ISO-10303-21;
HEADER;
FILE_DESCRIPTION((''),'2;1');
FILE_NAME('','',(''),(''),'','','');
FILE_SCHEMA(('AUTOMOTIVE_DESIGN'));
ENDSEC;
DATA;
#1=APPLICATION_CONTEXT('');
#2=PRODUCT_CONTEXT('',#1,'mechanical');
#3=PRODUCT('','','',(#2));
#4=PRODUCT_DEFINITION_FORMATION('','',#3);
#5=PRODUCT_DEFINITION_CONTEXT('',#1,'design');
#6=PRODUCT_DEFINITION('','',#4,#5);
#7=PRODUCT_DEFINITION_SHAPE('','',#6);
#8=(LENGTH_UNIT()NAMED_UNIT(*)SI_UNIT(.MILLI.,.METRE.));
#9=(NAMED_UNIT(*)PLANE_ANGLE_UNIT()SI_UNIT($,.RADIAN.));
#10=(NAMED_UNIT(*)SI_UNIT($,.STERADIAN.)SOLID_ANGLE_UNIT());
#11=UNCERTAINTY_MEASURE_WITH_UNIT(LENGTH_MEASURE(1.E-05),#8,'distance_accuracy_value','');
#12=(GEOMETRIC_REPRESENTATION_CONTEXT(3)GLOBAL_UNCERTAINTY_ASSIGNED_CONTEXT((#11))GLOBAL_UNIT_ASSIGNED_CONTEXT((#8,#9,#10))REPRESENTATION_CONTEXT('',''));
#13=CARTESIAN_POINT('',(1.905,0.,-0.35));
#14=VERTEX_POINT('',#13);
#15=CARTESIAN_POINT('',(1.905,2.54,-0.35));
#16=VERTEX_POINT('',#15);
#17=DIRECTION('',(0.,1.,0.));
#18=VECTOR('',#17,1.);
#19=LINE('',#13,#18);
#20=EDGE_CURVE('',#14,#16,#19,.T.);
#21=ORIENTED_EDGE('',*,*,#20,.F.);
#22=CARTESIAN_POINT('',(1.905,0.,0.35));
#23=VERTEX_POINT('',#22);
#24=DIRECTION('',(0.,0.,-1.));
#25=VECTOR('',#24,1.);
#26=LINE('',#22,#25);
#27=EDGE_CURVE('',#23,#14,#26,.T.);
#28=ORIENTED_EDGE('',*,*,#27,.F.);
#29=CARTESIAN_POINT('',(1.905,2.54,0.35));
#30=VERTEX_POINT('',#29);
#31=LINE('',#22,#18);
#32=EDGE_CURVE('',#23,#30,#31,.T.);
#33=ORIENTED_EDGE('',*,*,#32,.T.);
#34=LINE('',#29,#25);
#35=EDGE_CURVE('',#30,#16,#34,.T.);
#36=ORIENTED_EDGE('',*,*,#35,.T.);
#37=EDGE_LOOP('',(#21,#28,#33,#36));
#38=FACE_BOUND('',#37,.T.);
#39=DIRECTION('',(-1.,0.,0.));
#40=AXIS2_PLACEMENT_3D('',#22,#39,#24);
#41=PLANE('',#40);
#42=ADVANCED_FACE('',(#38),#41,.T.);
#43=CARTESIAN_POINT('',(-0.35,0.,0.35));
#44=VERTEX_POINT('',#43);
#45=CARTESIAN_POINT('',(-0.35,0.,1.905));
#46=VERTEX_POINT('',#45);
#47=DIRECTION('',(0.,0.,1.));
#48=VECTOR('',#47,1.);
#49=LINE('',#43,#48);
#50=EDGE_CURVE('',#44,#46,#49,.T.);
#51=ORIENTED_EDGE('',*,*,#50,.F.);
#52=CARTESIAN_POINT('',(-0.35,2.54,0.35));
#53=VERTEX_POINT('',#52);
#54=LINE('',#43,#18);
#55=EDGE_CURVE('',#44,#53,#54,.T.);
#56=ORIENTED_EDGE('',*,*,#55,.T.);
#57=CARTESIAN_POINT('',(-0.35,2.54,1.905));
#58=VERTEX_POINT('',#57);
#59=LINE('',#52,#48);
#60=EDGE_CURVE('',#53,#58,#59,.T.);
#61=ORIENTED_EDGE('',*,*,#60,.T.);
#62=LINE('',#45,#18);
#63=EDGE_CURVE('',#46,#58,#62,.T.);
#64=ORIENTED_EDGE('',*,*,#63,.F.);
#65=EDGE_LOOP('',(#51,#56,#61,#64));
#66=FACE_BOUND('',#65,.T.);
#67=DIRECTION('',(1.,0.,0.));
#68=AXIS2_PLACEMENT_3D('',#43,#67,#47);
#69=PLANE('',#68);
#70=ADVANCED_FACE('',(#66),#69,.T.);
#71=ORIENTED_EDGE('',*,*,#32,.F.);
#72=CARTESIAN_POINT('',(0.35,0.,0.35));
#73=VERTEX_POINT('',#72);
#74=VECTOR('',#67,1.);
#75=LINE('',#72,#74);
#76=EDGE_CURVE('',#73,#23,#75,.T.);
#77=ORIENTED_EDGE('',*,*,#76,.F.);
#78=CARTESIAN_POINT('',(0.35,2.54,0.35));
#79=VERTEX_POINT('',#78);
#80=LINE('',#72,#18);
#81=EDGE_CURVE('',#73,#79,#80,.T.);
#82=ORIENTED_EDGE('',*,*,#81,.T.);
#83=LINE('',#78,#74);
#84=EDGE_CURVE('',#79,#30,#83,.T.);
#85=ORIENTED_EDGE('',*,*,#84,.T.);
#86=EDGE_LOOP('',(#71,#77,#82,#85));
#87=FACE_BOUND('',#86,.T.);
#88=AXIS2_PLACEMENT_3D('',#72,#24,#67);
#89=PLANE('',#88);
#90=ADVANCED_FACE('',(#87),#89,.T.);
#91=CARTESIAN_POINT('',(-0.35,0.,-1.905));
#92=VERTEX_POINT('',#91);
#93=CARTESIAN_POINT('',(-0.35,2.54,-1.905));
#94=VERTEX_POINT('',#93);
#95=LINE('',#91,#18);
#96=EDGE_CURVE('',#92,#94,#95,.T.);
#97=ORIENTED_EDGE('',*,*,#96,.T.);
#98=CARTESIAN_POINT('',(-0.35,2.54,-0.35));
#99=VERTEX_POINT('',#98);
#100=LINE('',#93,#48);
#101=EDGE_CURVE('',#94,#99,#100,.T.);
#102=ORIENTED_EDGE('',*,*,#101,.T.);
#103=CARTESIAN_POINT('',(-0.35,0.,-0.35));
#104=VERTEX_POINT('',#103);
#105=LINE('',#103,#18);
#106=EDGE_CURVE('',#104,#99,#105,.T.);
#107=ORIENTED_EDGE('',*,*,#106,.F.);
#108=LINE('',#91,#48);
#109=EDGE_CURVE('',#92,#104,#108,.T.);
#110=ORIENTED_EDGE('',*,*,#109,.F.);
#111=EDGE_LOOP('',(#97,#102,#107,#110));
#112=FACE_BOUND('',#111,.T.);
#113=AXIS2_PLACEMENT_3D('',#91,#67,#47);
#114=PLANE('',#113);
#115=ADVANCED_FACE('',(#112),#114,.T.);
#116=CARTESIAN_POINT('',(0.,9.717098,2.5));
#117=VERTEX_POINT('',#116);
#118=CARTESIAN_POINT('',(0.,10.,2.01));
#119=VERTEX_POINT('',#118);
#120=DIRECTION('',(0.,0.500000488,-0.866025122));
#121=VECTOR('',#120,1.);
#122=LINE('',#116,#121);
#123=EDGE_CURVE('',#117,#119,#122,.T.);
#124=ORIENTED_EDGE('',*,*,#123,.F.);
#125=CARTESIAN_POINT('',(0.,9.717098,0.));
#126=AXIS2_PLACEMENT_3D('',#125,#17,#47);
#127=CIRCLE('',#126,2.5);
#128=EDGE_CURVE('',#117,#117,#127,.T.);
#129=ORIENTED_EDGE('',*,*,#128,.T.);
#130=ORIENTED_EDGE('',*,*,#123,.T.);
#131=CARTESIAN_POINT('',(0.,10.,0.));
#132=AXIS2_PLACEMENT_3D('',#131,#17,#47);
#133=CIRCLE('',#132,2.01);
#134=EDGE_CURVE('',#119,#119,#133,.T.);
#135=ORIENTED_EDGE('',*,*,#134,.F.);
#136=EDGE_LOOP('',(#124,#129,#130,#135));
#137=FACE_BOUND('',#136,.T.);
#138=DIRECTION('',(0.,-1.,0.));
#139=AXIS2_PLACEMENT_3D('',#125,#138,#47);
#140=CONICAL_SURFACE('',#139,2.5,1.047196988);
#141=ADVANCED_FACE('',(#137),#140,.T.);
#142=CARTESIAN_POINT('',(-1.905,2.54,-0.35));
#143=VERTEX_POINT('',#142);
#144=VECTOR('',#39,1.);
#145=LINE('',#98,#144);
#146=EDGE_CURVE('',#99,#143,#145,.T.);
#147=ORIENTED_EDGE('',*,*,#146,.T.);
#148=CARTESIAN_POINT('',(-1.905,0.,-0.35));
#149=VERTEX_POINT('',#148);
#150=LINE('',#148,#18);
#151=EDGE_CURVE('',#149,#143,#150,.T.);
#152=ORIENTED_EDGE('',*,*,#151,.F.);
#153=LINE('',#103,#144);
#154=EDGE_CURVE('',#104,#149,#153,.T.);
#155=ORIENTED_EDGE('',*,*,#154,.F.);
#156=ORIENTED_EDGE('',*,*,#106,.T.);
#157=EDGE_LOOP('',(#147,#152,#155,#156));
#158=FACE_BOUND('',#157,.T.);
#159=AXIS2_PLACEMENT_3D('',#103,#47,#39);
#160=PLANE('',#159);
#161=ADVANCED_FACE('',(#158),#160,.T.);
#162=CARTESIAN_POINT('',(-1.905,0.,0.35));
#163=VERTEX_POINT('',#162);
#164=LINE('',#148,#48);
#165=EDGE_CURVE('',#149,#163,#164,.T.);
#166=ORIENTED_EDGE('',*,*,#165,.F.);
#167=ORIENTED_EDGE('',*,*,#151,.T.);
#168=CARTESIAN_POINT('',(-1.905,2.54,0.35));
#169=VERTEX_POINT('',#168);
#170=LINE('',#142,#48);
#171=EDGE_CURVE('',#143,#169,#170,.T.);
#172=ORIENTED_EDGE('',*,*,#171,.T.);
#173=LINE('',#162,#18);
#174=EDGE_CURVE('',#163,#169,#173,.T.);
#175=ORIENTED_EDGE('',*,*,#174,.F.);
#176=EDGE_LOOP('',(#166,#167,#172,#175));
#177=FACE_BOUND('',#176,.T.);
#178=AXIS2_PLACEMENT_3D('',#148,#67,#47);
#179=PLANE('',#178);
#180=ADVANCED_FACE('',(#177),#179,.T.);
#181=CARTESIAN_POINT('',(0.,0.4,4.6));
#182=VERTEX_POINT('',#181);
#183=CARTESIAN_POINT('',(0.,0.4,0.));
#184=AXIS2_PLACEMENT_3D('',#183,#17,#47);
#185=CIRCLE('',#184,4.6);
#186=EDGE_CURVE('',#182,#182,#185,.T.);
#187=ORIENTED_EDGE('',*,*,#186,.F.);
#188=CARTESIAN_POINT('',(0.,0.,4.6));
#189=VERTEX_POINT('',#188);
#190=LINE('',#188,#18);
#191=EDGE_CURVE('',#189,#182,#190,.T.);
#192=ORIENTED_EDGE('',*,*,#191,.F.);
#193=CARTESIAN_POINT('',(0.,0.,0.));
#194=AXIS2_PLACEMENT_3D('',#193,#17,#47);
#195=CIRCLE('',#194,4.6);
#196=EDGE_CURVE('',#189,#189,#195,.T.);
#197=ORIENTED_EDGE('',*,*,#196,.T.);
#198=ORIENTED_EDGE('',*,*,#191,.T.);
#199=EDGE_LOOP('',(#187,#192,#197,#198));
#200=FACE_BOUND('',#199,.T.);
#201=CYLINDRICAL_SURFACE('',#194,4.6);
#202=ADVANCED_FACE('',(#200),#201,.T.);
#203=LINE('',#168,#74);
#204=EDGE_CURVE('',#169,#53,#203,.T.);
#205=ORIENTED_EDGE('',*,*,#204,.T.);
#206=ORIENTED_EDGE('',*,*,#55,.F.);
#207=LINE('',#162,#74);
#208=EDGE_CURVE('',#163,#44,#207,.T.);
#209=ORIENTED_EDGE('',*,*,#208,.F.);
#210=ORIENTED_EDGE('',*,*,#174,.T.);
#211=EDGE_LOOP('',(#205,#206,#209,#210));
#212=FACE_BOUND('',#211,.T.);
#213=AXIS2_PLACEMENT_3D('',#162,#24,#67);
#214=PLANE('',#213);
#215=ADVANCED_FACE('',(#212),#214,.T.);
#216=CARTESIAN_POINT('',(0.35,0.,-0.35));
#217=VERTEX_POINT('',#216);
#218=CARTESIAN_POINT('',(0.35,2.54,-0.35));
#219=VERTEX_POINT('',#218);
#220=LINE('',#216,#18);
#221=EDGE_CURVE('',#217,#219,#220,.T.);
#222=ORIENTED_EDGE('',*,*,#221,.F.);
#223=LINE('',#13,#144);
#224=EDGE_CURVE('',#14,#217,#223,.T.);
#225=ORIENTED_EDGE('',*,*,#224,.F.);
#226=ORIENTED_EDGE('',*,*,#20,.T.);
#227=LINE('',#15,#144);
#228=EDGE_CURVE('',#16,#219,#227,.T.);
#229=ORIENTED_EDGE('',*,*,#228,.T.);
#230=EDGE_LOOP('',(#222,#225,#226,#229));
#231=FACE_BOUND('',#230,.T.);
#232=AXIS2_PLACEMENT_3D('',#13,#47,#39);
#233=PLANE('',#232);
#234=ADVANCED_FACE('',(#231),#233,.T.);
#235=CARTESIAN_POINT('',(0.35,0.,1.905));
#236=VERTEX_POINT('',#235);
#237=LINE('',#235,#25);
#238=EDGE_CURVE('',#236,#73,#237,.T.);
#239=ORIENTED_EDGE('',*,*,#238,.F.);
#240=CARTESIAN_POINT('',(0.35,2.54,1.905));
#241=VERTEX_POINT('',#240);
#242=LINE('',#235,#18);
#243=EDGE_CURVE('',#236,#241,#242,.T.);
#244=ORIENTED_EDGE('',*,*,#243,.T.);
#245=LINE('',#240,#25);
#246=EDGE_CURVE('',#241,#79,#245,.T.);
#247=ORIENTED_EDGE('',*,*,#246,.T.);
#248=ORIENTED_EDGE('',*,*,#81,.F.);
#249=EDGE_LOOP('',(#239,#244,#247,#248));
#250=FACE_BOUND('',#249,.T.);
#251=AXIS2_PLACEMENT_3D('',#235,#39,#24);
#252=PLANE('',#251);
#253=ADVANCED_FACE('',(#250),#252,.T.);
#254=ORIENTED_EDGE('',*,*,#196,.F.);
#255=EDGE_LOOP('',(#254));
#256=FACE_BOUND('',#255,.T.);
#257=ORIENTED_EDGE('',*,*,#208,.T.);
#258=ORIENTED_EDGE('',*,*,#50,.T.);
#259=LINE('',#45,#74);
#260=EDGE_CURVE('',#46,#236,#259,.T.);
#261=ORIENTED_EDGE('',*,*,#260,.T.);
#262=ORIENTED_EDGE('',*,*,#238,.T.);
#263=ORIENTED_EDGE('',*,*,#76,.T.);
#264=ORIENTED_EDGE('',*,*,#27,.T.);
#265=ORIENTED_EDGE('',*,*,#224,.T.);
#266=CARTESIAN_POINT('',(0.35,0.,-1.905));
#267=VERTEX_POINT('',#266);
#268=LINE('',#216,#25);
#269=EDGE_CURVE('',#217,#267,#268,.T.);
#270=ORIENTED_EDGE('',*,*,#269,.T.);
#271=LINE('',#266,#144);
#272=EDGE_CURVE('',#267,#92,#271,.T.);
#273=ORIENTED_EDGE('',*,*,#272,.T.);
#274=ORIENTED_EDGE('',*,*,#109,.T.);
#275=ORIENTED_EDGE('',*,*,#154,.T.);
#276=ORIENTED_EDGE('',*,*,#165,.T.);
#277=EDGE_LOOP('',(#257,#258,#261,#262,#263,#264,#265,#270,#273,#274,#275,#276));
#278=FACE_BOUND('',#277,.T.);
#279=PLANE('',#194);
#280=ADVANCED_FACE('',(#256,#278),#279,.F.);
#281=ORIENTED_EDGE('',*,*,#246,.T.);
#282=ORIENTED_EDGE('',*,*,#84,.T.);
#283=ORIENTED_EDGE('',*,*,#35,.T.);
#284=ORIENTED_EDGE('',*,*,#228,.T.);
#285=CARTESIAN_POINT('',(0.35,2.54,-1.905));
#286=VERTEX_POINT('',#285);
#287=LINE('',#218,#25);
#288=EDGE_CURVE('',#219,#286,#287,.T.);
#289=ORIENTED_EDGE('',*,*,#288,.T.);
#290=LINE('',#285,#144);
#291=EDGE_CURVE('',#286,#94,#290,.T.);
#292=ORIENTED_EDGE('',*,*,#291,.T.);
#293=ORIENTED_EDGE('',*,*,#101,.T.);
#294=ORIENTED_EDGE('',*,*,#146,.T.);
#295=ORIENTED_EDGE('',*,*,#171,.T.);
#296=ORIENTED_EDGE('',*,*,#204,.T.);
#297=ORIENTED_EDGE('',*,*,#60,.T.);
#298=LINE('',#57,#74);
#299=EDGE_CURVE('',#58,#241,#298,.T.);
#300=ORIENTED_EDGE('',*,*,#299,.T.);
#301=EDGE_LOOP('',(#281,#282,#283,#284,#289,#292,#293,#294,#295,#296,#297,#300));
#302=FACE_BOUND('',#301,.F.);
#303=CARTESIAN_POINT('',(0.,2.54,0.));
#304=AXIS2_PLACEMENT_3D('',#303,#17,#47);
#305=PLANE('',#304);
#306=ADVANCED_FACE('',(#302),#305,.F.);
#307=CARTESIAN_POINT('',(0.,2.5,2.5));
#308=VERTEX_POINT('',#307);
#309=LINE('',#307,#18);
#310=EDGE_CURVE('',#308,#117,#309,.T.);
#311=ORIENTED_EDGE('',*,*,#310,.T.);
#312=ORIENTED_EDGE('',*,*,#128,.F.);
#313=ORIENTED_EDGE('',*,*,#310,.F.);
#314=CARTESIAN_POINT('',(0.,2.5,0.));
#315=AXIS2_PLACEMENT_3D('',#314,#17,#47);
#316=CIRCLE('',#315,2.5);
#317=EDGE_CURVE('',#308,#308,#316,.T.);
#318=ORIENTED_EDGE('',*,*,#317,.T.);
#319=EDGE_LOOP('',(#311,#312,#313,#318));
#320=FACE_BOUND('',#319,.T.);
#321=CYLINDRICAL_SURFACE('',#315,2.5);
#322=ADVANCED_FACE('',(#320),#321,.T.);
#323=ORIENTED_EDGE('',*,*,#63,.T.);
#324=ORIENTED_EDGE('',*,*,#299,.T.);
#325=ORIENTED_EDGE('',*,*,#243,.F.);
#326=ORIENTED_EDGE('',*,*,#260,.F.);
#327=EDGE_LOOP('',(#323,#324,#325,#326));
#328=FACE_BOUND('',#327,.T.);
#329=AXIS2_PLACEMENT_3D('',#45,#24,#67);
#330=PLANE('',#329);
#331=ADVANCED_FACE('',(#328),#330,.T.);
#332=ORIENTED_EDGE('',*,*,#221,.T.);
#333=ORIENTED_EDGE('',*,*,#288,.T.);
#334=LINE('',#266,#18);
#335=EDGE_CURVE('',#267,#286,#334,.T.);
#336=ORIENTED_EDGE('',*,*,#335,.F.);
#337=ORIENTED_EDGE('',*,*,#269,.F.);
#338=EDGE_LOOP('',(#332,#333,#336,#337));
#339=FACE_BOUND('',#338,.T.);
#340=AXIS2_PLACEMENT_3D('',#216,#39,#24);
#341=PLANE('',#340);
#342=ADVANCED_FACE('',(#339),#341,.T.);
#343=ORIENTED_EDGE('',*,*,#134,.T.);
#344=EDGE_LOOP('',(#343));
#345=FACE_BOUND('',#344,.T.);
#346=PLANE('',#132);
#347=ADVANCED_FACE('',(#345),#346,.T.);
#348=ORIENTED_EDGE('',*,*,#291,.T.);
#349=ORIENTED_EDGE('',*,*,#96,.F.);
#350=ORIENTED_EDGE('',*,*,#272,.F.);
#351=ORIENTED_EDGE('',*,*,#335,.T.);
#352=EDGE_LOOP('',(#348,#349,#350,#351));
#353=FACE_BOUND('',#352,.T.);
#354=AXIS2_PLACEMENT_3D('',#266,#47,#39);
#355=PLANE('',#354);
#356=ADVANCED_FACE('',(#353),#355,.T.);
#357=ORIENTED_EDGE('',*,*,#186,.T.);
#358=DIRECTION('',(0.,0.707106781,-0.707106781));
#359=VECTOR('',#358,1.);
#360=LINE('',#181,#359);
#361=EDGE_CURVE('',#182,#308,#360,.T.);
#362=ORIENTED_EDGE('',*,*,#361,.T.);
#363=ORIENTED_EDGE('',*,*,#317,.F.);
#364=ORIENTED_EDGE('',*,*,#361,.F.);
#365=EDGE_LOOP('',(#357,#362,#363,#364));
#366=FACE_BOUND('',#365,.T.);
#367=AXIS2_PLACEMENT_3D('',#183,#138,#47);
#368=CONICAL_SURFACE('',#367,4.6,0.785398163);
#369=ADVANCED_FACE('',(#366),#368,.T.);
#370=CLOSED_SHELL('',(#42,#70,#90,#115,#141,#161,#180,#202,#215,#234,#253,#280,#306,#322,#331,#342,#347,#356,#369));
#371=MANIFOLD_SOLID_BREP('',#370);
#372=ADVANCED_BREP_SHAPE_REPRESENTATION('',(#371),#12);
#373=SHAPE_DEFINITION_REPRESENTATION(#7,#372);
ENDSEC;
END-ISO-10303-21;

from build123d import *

# Parameters (mm, degrees)
POCKET_DEPTH = 2.54


with BuildPart() as part:
    # Sketch → Revolution (revolve)
    with BuildSketch(Plane.YZ):
        Polygon((0, 0), (0, 4.6), (0.4, 4.6), (2.5, 2.5), (9.717098, 2.5), (10, 2.01), (10, 0), align=None)
    revolve(axis=Axis((0, 0, 0), (0, 1, 0)))

    # Sketch001 → Pocket (cut)
    with BuildSketch(Plane(origin=(0, 0, 0), x_dir=(0, 0, -1), z_dir=(0, -1, 0))):
        Polygon((-1.905, 0.35), (-0.35, 0.35), (-0.35, 1.905), (0.35, 1.905), (0.35, 0.35), (1.905, 0.35), (1.905, -0.35), (0.35, -0.35), (0.35, -1.905), (-0.35, -1.905), (-0.35, -0.35), (-1.905, -0.35), align=None)
    extrude(amount=-POCKET_DEPTH, mode=Mode.SUBTRACT)


solid = part.part
